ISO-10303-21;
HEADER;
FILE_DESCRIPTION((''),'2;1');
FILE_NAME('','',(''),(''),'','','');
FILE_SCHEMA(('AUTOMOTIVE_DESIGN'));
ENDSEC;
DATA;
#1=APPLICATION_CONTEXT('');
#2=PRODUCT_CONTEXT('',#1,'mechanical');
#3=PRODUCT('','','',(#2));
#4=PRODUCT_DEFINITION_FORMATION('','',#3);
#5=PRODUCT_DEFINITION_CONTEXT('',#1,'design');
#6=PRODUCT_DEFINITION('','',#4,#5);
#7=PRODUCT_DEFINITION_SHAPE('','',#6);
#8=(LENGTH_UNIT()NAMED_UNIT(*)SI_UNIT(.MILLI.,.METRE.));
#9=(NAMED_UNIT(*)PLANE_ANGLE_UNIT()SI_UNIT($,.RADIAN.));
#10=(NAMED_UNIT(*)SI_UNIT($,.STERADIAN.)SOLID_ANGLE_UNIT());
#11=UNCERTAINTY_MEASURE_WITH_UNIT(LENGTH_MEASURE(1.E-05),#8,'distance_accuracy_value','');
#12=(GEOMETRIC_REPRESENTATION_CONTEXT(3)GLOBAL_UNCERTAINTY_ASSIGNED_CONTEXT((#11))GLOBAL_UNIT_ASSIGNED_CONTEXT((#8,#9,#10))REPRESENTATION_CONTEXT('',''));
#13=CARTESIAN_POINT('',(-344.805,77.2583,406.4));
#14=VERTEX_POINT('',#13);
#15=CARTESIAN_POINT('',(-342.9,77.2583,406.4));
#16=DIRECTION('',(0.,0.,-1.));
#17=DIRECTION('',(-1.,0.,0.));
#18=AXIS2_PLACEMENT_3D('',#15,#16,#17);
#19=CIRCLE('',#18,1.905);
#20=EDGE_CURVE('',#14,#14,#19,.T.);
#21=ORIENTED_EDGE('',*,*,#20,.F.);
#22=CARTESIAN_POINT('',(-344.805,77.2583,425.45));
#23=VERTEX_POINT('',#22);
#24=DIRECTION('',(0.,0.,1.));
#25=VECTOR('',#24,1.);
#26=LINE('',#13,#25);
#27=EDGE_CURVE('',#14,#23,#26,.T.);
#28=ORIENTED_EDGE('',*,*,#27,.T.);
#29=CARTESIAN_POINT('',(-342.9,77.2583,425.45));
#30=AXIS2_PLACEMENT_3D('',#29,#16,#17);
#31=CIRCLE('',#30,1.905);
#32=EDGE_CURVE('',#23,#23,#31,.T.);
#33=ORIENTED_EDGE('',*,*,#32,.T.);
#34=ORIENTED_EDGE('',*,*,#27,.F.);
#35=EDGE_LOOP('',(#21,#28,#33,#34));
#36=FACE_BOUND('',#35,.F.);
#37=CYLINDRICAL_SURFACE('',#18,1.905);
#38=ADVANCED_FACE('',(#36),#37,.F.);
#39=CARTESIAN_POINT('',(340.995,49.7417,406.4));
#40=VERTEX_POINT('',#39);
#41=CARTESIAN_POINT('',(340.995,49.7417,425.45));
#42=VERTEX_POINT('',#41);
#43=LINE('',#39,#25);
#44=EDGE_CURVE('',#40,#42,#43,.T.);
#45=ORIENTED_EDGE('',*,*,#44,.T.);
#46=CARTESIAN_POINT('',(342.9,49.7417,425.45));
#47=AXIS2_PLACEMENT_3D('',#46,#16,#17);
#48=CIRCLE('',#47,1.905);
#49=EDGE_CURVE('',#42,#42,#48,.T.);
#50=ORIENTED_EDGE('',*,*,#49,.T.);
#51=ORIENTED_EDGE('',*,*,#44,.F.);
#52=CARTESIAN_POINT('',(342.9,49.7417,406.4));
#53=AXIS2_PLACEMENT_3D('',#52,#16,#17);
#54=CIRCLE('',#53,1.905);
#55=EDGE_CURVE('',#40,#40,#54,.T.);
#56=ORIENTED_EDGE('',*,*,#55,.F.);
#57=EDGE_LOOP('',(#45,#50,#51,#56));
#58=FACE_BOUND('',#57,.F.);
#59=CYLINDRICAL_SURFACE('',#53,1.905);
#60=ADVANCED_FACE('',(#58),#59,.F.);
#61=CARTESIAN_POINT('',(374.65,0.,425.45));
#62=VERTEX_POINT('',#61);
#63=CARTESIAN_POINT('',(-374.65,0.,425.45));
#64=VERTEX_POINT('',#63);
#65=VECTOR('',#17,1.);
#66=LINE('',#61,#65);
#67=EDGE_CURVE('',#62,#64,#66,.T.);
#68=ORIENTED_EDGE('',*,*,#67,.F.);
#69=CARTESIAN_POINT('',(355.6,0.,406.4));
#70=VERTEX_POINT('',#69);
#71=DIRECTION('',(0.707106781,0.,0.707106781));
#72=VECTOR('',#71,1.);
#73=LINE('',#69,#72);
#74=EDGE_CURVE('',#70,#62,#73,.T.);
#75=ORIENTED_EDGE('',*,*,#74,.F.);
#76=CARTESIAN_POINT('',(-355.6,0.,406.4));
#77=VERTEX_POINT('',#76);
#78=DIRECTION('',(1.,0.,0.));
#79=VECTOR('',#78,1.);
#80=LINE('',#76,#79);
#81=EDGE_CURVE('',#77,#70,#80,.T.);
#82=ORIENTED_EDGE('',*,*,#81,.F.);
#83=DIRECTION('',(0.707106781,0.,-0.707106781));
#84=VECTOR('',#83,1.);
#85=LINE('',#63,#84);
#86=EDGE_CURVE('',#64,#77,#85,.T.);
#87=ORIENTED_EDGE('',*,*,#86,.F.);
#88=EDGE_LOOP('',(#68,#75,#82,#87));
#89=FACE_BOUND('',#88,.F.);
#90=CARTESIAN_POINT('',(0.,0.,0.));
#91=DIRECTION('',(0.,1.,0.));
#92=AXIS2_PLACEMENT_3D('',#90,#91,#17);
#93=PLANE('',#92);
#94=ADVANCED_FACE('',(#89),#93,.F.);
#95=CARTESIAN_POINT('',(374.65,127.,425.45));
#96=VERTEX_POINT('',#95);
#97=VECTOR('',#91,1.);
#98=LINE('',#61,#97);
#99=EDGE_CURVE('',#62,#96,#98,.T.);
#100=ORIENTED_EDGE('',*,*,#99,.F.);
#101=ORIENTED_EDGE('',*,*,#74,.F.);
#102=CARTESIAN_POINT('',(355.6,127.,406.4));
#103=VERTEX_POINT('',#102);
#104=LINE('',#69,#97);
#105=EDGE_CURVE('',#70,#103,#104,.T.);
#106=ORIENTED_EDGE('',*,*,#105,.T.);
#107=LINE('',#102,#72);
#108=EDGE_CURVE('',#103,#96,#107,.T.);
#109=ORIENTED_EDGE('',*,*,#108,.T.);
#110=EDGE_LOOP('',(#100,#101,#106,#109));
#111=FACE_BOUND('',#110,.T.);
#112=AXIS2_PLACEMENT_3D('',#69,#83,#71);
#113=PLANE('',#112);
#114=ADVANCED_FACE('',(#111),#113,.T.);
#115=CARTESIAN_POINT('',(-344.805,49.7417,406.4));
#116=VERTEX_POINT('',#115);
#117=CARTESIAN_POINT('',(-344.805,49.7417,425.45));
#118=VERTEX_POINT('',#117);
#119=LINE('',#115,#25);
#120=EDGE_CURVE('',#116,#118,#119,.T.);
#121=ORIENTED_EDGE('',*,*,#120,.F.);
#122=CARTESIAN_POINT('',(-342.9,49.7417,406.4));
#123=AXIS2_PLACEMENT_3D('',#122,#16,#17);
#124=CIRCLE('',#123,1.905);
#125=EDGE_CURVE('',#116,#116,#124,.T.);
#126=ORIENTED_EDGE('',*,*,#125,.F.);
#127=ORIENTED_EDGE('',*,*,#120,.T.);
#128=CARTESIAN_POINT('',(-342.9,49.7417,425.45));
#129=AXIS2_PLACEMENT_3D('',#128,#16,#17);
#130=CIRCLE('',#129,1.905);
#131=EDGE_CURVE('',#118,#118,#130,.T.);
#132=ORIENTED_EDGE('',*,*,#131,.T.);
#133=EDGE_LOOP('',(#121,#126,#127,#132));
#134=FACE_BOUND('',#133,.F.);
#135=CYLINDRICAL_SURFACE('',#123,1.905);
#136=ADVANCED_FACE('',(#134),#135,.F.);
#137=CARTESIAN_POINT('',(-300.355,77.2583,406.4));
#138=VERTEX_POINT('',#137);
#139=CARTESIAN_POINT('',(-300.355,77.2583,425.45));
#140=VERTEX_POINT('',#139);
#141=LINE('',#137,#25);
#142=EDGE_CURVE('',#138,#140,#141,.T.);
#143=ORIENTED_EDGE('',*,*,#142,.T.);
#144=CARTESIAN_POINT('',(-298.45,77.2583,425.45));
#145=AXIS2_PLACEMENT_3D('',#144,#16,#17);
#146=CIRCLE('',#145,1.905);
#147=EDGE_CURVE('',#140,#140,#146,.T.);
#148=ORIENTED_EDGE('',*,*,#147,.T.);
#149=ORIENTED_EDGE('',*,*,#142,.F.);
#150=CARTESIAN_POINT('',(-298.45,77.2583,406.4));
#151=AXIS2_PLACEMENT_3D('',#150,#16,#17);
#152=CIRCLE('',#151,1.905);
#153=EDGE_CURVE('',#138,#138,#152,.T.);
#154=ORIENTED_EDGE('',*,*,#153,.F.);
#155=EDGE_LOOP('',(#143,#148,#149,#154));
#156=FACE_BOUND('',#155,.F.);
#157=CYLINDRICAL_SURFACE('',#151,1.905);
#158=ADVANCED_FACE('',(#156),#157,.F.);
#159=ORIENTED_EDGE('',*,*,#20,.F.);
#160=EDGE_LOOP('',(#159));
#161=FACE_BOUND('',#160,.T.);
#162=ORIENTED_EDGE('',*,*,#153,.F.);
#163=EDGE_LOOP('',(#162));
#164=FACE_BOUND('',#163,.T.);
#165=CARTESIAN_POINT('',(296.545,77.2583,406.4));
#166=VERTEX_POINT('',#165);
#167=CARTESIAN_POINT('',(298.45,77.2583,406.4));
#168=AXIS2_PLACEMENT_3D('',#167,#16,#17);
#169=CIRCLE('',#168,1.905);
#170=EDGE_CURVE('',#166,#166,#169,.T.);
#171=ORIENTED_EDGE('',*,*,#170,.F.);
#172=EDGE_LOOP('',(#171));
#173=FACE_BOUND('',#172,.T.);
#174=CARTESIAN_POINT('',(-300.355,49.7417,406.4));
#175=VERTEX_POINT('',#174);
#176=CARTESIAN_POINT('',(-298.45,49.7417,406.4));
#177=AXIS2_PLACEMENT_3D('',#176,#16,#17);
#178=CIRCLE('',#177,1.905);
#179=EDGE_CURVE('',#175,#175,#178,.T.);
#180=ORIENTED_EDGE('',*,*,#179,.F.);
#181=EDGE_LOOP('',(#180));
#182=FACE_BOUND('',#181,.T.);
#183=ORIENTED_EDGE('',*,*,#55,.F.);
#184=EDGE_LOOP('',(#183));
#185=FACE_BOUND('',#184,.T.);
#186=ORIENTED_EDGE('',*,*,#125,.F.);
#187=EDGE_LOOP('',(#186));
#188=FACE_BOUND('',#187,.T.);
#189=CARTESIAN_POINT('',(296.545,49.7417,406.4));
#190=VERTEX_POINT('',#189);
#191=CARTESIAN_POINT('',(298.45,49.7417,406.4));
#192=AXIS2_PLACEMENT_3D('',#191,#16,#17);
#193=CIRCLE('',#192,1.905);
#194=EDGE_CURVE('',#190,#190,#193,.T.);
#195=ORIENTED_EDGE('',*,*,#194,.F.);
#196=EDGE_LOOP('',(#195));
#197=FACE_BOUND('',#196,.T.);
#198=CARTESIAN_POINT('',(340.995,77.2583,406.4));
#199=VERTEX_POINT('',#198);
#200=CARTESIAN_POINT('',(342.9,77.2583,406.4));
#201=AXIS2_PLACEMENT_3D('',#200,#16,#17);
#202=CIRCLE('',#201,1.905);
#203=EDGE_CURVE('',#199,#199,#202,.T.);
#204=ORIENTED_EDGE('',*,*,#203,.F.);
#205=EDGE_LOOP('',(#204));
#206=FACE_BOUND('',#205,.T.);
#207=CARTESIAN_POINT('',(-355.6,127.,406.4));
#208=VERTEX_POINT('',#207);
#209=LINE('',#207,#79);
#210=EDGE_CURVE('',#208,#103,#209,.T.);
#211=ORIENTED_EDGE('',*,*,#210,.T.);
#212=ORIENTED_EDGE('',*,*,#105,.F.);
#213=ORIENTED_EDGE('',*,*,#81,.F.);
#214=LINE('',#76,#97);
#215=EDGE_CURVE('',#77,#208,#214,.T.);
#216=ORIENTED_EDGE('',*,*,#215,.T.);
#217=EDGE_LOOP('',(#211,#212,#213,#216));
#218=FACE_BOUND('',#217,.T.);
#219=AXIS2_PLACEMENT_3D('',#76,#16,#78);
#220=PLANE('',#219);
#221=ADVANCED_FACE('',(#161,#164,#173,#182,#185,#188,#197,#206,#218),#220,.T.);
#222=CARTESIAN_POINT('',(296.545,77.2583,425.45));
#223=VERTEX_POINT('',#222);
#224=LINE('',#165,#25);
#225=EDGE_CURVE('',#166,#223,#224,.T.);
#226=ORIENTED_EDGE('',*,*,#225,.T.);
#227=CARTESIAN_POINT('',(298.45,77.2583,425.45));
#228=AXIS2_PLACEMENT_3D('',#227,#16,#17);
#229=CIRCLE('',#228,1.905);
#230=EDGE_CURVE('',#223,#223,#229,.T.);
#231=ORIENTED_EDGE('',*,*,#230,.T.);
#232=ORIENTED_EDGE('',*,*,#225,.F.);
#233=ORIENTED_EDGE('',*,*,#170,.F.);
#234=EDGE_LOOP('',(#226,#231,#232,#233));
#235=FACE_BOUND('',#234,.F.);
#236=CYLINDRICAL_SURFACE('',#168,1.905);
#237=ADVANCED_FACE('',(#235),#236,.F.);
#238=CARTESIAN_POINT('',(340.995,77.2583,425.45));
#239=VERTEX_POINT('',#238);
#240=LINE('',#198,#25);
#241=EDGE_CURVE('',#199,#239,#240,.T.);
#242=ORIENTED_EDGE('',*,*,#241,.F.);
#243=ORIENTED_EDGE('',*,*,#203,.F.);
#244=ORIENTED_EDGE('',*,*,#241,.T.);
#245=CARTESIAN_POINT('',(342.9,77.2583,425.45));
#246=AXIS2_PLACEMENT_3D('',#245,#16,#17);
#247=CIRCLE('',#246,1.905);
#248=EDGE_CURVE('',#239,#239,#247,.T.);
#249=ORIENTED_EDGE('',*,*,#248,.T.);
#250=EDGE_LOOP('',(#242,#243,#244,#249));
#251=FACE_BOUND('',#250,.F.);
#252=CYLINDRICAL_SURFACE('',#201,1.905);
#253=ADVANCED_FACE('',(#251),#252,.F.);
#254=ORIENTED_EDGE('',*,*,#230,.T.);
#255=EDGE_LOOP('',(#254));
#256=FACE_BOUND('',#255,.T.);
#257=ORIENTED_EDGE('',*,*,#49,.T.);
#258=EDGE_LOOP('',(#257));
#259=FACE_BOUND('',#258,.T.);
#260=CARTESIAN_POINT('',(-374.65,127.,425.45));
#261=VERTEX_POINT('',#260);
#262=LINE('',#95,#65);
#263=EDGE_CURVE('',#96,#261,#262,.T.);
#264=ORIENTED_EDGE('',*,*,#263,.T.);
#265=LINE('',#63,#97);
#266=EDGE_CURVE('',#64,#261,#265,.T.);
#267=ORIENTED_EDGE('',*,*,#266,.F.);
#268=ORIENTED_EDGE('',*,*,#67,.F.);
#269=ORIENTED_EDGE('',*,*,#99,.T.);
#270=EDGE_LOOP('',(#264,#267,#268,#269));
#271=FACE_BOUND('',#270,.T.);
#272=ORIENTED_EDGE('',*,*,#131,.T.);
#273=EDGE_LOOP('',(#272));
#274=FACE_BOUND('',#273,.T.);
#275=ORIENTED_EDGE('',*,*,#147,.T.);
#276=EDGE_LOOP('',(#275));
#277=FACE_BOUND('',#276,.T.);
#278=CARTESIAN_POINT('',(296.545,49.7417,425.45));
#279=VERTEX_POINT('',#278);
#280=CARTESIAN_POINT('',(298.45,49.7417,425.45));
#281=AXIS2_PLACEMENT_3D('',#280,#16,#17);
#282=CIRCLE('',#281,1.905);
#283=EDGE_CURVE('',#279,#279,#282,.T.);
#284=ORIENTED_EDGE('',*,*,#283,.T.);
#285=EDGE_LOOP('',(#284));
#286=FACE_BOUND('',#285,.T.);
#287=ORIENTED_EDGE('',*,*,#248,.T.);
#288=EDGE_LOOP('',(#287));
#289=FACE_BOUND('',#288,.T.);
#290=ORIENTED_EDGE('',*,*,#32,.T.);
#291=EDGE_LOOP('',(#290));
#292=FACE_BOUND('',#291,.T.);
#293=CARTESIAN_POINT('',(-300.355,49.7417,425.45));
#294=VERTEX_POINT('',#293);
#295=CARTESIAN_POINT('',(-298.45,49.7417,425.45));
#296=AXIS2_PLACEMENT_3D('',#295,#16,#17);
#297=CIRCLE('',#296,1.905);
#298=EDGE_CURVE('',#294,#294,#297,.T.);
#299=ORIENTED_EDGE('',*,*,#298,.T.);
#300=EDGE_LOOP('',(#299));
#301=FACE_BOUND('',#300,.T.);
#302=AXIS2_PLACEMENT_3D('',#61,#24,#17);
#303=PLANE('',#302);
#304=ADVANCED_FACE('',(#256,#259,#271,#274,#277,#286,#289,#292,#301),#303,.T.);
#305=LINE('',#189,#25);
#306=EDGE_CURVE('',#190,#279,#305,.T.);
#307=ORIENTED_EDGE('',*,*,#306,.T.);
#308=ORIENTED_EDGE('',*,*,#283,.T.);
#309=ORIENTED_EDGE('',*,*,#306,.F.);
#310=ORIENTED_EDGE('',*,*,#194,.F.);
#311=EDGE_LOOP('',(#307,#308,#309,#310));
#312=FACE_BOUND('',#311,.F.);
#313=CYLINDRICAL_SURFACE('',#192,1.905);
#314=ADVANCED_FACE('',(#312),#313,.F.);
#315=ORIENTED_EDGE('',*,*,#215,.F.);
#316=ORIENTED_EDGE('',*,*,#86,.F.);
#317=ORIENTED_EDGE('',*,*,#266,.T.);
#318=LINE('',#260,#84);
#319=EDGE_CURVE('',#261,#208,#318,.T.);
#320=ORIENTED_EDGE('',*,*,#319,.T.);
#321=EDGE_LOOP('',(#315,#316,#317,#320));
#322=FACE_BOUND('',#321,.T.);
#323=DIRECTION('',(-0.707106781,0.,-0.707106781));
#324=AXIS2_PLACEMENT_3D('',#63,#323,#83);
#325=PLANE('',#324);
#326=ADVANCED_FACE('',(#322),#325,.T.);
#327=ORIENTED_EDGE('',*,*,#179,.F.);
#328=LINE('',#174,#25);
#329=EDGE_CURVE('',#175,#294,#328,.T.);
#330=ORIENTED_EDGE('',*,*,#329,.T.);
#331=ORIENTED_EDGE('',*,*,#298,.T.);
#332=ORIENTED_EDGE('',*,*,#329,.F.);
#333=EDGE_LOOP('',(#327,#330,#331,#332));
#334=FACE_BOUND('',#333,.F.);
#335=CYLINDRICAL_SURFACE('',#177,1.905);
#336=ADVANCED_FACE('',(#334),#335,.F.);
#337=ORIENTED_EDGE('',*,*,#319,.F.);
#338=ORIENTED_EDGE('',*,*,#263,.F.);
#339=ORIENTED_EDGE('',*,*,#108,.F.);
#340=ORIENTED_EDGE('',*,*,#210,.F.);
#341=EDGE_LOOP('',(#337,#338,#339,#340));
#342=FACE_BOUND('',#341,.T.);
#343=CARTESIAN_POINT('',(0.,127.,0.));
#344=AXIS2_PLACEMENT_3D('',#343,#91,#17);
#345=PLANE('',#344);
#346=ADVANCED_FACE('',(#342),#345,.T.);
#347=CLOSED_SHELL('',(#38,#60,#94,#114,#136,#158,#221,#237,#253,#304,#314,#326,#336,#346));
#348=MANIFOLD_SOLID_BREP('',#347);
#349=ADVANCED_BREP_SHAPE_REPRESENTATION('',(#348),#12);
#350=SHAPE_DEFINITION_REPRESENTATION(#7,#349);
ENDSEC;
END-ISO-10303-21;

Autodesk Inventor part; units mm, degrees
ref_plane "YZ Plane" through (0, 0, 0) normal (1, 0, 0) x (0, 1, 0)
ref_plane "XZ Plane" through (0, 0, 0) normal (0, 1, 0) x (-1, 0, 0)
ref_plane "XY Plane" through (0, 0, 0) normal (0, 0, 1) x (1, 0, 0)
sketch "Sketch1" plane through (0, 0, 0) normal (0, 1, 0) x (-1, 0, 0)
  line L0 (-355.6, -406.4) -> (355.6, -406.4) construction
  line L1 (355.6, -406.4) -> (355.6, 406.4) construction
  line L2 (355.6, 406.4) -> (-355.6, 406.4)
  line L3 (-355.6, 406.4) -> (-355.6, -406.4) construction
  line L4 (-355.6, -406.4) -> (355.6, 406.4) construction
  line L5 (355.6, -406.4) -> (-355.6, 406.4) construction
  line L6 (374.65, 425.45) -> (374.65, -425.45) construction
  line L7 (374.65, -425.45) -> (-374.65, -425.45) construction
  line L8 (-374.65, -425.45) -> (-374.65, 425.45) construction
  line L9 (-374.65, 425.45) -> (374.65, 425.45)
  line L10 (374.65, 425.45) -> (355.6, 406.4)
  line L11 (-355.6, 406.4) -> (-374.65, 425.45)
  point P0 (0, 0)
  dimension "d0" = 711.2
  dimension "d1" = 812.8
  dimension "d2" = 19.05
extrude "Extrusion1" add sketch "Sketch1" along normal blind 127
sketch "Sketch2" plane through (355.6, 0, 406.4) normal (0, 0, -1) x (-1, 0, 0)
  line L0 (0, 0) -> (711.2, 0) projected
  line L1 (711.2, 0) -> (711.2, 127) projected
  line L2 (0, 127) -> (711.2, 127) projected
  line L3 (0, 0) -> (0, 127) projected
  line L4 (0, 0) -> (0, 127) projected
  circle A0 centre (12.7, 77.2583) radius 1.905
  line L5 (0, 77.2583) -> (12.7, 77.2583) construction
  circle A1 centre (57.15, 77.2583) radius 1.905
  circle A2 centre (101.6, 77.2583) radius 1.905 construction
  circle A3 centre (12.7, 49.7417) radius 1.905
  circle A4 centre (57.15, 49.7417) radius 1.905
  circle A5 centre (101.6, 49.7417) radius 1.905 construction
  line L6 (355.6, 127) -> (355.6, 0) construction
  circle A6 centre (698.5, 77.2583) radius 1.905
  circle A7 centre (654.05, 77.2583) radius 1.905
  circle A8 centre (609.6, 77.2583) radius 1.905 construction
  circle A9 centre (698.5, 49.7417) radius 1.905
  circle A10 centre (654.05, 49.7417) radius 1.905
  circle A11 centre (609.6, 49.7417) radius 1.905 construction
  line L7 (12.7, 77.2583) -> (12.7, 49.7417) construction
  line L8 (-19.05, 0) -> (-19.05, 127) projected
  point P0 (0, 63.5)
  point P1 (0, 63.5)
  point P2 (12.7, 63.5)
  dimension "d9" = 3.81
  dimension "d11" = 127
  dimension "d16" = 44.45
  dimension "d19" = 27.5167
  dimension "d29" = 63.5
  dimension "d30" = 31.75
extrude "Extrusion2" cut sketch "Sketch2" against normal blind 127 contours A0 | A1 | A3 | A4 | A6 | A7 | A9 | A10
properties part number "BUMP_001_Wood1" material "Wood (Birch)"
